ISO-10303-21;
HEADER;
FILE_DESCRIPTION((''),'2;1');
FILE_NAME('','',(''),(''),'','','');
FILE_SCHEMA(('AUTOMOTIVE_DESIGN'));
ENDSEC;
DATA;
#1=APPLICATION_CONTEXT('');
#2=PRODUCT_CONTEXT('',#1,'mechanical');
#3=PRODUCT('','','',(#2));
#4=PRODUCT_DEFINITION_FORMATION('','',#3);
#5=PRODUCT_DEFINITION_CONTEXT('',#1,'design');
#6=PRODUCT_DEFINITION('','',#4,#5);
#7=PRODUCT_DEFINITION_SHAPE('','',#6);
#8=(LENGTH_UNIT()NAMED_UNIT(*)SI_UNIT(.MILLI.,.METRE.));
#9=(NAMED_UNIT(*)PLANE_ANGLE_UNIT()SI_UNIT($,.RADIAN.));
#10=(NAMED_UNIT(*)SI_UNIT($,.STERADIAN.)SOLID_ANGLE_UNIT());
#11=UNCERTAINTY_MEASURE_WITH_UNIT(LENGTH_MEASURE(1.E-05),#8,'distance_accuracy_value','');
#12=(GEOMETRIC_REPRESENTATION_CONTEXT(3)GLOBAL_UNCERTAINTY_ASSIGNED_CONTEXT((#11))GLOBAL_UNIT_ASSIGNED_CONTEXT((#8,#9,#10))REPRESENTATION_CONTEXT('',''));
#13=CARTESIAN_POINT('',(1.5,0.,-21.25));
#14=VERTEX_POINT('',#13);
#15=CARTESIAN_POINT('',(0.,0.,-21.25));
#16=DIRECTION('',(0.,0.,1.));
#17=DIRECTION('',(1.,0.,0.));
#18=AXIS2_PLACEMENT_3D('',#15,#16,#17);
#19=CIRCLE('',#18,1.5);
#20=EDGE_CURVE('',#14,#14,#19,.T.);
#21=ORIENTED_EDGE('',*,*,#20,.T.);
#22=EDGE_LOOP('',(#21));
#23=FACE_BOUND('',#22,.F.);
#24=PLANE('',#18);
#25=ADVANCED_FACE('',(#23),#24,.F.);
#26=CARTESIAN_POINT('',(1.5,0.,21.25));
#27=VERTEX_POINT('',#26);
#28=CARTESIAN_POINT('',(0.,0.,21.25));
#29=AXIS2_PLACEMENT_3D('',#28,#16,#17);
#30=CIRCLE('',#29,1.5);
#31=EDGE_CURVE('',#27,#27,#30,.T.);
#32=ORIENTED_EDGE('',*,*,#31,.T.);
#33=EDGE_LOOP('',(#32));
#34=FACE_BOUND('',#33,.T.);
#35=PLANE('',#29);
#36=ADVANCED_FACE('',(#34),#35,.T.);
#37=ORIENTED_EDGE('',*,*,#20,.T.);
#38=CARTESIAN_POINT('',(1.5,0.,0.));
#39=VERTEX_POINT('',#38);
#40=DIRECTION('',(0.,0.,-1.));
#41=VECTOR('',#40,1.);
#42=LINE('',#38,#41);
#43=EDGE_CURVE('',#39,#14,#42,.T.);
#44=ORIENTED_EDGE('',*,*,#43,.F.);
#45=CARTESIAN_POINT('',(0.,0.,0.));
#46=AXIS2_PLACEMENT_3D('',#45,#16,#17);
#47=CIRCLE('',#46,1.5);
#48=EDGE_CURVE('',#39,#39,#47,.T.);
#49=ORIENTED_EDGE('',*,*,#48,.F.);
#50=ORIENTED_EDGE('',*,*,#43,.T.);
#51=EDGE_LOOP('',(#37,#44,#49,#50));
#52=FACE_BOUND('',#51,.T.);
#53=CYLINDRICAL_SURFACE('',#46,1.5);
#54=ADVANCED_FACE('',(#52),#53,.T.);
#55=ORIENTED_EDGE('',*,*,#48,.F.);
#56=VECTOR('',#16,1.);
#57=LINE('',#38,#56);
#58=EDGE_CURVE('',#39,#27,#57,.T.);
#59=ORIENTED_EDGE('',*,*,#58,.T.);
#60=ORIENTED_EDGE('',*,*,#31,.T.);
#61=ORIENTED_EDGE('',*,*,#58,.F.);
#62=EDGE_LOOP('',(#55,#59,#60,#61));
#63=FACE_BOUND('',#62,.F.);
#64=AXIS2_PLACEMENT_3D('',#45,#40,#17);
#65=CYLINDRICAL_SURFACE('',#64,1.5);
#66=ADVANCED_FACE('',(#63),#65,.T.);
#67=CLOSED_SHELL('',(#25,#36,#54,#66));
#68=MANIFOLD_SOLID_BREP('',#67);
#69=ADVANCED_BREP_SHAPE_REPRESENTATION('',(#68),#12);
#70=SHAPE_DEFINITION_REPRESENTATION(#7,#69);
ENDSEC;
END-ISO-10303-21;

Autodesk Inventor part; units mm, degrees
ref_plane "YZ Plane" through (0, 0, 0) normal (1, 0, 0) x (0, 1, 0)
ref_plane "XZ Plane" through (0, 0, 0) normal (0, 1, 0) x (-1, 0, 0)
ref_plane "XY Plane" through (0, 0, 0) normal (0, 0, 1) x (1, 0, 0)
sketch "Sketch1" plane through (0, 0, 0) normal (0, 0, 1) x (1, 0, 0)
  circle A0 centre (0, 0) radius 1.5
  dimension "d0" = 3
extrude "Extrusion1" add sketch "Sketch1" along normal mid plane 42.5
properties part number "Shaft_1"
